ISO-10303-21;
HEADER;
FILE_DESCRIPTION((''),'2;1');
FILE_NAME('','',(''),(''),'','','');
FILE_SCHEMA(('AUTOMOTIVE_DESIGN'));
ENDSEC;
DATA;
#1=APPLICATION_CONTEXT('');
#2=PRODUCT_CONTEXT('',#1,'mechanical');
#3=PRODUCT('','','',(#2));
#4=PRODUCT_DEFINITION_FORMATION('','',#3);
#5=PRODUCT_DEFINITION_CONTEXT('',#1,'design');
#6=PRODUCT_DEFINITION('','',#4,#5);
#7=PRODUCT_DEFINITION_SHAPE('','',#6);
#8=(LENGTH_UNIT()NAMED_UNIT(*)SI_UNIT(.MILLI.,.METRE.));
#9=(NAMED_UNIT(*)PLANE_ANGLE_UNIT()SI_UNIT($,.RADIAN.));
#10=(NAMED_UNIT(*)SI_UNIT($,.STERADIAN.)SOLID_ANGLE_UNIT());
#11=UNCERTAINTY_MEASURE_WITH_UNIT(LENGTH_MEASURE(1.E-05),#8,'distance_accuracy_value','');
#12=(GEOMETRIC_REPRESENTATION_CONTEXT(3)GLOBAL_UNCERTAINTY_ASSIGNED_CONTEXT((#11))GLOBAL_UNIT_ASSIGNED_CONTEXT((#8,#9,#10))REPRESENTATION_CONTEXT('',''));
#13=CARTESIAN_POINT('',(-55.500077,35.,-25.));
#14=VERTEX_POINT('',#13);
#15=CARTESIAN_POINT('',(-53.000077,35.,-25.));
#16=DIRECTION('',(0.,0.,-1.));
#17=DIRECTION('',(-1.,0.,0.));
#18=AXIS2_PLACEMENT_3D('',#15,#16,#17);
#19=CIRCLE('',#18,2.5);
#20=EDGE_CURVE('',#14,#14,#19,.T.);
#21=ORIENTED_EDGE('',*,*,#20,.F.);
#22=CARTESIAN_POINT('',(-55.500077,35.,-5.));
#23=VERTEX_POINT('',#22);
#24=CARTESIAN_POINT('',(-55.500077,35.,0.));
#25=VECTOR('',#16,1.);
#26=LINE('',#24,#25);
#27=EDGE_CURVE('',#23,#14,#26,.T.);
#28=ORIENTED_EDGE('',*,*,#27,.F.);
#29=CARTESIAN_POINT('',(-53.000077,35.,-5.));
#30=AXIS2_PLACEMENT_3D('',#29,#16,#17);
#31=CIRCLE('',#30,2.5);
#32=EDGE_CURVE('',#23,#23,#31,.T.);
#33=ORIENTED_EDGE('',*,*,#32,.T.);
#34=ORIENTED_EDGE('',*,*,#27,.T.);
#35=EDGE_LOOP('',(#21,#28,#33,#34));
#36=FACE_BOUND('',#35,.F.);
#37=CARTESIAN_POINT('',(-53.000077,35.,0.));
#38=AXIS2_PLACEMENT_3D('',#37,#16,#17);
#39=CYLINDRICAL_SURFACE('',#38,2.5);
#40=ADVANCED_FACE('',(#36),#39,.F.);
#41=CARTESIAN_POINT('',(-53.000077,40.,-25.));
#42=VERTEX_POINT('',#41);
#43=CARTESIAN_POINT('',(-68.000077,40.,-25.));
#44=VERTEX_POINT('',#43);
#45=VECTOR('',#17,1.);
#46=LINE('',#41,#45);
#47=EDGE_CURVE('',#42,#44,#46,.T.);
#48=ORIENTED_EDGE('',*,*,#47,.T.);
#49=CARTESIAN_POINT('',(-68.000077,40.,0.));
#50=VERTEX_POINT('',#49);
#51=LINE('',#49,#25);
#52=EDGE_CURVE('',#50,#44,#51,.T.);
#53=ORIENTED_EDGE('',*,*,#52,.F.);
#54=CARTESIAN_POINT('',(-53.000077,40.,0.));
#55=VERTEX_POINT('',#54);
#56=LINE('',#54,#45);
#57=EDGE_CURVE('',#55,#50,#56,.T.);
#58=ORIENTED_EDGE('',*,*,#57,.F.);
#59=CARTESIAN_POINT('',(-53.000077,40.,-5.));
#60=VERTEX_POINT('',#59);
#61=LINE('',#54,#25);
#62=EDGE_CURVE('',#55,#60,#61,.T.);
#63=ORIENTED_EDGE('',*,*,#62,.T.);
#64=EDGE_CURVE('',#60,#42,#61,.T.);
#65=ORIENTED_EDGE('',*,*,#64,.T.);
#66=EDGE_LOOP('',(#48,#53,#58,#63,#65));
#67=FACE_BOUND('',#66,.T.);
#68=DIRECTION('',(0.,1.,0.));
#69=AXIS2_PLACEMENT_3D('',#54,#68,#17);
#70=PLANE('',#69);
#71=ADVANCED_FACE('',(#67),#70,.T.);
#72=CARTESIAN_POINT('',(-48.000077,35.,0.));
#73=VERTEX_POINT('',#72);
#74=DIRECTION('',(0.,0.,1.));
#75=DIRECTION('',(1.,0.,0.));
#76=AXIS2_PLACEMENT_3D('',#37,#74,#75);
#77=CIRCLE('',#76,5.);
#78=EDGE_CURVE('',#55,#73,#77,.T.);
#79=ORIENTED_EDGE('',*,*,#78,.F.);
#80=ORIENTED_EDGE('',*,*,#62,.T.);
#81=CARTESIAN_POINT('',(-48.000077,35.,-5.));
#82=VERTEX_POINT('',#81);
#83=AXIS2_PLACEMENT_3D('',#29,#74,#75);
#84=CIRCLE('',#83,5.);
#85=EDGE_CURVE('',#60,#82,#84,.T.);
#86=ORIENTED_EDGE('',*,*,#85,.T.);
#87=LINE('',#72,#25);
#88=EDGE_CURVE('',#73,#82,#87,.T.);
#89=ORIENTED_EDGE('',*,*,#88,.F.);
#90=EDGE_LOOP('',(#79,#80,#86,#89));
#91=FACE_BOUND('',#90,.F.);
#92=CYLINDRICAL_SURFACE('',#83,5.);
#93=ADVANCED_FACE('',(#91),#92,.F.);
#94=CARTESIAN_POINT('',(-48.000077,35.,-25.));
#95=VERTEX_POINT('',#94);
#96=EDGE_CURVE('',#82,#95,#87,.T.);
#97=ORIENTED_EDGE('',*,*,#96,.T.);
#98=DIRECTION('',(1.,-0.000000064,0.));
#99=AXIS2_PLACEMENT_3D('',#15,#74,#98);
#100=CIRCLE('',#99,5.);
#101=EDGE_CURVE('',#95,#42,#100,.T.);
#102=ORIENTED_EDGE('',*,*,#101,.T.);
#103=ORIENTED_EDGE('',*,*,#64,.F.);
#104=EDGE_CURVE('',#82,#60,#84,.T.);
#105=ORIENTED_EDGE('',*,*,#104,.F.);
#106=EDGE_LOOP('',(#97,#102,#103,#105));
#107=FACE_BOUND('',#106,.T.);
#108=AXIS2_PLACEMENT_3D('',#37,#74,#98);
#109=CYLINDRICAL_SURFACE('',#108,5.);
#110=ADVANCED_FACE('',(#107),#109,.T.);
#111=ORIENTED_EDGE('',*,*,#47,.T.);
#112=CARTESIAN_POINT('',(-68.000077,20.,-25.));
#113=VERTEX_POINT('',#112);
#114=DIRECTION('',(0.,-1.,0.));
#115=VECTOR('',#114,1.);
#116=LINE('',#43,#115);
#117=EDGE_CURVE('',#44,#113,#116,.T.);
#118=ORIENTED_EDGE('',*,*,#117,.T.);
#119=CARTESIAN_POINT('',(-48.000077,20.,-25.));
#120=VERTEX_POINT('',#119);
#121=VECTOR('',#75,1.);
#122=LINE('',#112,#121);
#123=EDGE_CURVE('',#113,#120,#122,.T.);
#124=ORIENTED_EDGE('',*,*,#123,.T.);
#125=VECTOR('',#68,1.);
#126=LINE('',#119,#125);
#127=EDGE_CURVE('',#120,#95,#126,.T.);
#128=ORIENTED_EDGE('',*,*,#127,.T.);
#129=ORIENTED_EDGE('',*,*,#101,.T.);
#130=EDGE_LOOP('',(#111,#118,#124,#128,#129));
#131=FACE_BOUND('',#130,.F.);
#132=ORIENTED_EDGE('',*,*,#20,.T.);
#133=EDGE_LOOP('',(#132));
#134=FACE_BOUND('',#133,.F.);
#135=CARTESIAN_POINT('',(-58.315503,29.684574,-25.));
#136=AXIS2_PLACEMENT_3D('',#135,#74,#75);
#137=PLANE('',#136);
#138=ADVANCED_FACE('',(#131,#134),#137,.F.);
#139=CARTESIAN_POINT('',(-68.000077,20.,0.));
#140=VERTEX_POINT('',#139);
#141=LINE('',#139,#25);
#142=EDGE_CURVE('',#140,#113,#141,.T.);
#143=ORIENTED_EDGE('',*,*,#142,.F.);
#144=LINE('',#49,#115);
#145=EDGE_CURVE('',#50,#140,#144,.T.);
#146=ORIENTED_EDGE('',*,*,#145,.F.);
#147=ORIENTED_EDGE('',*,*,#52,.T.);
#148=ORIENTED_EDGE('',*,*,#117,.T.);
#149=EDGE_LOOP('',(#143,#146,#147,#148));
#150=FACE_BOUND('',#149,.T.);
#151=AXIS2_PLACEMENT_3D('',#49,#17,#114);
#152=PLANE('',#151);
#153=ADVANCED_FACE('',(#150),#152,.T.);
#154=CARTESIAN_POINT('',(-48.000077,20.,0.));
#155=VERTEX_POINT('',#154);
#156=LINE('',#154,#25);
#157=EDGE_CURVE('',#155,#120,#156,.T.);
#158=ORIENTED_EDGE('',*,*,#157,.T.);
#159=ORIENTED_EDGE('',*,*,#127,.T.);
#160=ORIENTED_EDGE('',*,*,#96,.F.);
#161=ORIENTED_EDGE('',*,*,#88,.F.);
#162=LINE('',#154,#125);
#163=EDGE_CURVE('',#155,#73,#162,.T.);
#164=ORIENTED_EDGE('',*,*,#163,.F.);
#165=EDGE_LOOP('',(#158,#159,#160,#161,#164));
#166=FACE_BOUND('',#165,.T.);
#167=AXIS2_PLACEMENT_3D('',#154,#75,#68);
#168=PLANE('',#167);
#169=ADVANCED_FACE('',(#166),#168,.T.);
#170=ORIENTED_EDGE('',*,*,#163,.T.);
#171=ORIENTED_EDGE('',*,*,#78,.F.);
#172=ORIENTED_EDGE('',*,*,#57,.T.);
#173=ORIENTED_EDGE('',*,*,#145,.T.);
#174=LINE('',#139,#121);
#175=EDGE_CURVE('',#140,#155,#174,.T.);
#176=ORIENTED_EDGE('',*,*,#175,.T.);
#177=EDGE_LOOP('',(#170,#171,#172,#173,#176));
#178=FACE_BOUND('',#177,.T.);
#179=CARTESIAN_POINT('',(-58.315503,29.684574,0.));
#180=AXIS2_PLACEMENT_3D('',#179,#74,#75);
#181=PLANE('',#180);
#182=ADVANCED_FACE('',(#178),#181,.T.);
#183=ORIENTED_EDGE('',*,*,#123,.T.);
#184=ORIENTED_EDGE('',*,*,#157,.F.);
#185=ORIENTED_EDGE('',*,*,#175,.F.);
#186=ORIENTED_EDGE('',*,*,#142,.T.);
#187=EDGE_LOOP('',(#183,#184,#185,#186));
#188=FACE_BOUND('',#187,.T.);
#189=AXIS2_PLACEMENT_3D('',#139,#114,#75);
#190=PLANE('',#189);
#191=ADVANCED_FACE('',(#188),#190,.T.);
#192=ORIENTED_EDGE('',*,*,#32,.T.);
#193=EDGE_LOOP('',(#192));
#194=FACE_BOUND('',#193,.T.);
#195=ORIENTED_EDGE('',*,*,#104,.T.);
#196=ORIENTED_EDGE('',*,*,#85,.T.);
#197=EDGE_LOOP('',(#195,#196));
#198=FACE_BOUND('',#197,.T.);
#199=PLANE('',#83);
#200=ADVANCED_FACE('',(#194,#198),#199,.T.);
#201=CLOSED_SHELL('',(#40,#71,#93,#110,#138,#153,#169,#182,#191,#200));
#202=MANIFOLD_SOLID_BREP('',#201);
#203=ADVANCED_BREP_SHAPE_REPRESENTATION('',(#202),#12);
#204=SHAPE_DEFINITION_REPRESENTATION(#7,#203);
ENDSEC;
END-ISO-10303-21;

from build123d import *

# Parameters (mm, degrees)
F1_DEPTH       = 25
F2_D           = 5
F2_CBORE_D     = 10
F2_CBORE_DEPTH = 5


with BuildPart() as f1:
    # F0 (on Top) → F1 (new body)
    with BuildSketch(Plane.XY):
        with BuildLine():
            Line((-53.000077, 40), (-68.000077, 40))
            Line((-68.000077, 40), (-68.000077, 20))
            Line((-68.000077, 20), (-48.000077, 20))
            Line((-48.000077, 20), (-48.000077, 35))
            ThreePointArc((-48.000077, 35), (-49.464543, 38.535534), (-53.000077, 40))
        make_face()
    extrude(amount=-F1_DEPTH)

    # F2 (through all)
    with Locations(Plane.XY):
        with Locations((-53.000077, 35)):
            CounterBoreHole(F2_D / 2, F2_CBORE_D / 2, F2_CBORE_DEPTH)


solid = f1.part
